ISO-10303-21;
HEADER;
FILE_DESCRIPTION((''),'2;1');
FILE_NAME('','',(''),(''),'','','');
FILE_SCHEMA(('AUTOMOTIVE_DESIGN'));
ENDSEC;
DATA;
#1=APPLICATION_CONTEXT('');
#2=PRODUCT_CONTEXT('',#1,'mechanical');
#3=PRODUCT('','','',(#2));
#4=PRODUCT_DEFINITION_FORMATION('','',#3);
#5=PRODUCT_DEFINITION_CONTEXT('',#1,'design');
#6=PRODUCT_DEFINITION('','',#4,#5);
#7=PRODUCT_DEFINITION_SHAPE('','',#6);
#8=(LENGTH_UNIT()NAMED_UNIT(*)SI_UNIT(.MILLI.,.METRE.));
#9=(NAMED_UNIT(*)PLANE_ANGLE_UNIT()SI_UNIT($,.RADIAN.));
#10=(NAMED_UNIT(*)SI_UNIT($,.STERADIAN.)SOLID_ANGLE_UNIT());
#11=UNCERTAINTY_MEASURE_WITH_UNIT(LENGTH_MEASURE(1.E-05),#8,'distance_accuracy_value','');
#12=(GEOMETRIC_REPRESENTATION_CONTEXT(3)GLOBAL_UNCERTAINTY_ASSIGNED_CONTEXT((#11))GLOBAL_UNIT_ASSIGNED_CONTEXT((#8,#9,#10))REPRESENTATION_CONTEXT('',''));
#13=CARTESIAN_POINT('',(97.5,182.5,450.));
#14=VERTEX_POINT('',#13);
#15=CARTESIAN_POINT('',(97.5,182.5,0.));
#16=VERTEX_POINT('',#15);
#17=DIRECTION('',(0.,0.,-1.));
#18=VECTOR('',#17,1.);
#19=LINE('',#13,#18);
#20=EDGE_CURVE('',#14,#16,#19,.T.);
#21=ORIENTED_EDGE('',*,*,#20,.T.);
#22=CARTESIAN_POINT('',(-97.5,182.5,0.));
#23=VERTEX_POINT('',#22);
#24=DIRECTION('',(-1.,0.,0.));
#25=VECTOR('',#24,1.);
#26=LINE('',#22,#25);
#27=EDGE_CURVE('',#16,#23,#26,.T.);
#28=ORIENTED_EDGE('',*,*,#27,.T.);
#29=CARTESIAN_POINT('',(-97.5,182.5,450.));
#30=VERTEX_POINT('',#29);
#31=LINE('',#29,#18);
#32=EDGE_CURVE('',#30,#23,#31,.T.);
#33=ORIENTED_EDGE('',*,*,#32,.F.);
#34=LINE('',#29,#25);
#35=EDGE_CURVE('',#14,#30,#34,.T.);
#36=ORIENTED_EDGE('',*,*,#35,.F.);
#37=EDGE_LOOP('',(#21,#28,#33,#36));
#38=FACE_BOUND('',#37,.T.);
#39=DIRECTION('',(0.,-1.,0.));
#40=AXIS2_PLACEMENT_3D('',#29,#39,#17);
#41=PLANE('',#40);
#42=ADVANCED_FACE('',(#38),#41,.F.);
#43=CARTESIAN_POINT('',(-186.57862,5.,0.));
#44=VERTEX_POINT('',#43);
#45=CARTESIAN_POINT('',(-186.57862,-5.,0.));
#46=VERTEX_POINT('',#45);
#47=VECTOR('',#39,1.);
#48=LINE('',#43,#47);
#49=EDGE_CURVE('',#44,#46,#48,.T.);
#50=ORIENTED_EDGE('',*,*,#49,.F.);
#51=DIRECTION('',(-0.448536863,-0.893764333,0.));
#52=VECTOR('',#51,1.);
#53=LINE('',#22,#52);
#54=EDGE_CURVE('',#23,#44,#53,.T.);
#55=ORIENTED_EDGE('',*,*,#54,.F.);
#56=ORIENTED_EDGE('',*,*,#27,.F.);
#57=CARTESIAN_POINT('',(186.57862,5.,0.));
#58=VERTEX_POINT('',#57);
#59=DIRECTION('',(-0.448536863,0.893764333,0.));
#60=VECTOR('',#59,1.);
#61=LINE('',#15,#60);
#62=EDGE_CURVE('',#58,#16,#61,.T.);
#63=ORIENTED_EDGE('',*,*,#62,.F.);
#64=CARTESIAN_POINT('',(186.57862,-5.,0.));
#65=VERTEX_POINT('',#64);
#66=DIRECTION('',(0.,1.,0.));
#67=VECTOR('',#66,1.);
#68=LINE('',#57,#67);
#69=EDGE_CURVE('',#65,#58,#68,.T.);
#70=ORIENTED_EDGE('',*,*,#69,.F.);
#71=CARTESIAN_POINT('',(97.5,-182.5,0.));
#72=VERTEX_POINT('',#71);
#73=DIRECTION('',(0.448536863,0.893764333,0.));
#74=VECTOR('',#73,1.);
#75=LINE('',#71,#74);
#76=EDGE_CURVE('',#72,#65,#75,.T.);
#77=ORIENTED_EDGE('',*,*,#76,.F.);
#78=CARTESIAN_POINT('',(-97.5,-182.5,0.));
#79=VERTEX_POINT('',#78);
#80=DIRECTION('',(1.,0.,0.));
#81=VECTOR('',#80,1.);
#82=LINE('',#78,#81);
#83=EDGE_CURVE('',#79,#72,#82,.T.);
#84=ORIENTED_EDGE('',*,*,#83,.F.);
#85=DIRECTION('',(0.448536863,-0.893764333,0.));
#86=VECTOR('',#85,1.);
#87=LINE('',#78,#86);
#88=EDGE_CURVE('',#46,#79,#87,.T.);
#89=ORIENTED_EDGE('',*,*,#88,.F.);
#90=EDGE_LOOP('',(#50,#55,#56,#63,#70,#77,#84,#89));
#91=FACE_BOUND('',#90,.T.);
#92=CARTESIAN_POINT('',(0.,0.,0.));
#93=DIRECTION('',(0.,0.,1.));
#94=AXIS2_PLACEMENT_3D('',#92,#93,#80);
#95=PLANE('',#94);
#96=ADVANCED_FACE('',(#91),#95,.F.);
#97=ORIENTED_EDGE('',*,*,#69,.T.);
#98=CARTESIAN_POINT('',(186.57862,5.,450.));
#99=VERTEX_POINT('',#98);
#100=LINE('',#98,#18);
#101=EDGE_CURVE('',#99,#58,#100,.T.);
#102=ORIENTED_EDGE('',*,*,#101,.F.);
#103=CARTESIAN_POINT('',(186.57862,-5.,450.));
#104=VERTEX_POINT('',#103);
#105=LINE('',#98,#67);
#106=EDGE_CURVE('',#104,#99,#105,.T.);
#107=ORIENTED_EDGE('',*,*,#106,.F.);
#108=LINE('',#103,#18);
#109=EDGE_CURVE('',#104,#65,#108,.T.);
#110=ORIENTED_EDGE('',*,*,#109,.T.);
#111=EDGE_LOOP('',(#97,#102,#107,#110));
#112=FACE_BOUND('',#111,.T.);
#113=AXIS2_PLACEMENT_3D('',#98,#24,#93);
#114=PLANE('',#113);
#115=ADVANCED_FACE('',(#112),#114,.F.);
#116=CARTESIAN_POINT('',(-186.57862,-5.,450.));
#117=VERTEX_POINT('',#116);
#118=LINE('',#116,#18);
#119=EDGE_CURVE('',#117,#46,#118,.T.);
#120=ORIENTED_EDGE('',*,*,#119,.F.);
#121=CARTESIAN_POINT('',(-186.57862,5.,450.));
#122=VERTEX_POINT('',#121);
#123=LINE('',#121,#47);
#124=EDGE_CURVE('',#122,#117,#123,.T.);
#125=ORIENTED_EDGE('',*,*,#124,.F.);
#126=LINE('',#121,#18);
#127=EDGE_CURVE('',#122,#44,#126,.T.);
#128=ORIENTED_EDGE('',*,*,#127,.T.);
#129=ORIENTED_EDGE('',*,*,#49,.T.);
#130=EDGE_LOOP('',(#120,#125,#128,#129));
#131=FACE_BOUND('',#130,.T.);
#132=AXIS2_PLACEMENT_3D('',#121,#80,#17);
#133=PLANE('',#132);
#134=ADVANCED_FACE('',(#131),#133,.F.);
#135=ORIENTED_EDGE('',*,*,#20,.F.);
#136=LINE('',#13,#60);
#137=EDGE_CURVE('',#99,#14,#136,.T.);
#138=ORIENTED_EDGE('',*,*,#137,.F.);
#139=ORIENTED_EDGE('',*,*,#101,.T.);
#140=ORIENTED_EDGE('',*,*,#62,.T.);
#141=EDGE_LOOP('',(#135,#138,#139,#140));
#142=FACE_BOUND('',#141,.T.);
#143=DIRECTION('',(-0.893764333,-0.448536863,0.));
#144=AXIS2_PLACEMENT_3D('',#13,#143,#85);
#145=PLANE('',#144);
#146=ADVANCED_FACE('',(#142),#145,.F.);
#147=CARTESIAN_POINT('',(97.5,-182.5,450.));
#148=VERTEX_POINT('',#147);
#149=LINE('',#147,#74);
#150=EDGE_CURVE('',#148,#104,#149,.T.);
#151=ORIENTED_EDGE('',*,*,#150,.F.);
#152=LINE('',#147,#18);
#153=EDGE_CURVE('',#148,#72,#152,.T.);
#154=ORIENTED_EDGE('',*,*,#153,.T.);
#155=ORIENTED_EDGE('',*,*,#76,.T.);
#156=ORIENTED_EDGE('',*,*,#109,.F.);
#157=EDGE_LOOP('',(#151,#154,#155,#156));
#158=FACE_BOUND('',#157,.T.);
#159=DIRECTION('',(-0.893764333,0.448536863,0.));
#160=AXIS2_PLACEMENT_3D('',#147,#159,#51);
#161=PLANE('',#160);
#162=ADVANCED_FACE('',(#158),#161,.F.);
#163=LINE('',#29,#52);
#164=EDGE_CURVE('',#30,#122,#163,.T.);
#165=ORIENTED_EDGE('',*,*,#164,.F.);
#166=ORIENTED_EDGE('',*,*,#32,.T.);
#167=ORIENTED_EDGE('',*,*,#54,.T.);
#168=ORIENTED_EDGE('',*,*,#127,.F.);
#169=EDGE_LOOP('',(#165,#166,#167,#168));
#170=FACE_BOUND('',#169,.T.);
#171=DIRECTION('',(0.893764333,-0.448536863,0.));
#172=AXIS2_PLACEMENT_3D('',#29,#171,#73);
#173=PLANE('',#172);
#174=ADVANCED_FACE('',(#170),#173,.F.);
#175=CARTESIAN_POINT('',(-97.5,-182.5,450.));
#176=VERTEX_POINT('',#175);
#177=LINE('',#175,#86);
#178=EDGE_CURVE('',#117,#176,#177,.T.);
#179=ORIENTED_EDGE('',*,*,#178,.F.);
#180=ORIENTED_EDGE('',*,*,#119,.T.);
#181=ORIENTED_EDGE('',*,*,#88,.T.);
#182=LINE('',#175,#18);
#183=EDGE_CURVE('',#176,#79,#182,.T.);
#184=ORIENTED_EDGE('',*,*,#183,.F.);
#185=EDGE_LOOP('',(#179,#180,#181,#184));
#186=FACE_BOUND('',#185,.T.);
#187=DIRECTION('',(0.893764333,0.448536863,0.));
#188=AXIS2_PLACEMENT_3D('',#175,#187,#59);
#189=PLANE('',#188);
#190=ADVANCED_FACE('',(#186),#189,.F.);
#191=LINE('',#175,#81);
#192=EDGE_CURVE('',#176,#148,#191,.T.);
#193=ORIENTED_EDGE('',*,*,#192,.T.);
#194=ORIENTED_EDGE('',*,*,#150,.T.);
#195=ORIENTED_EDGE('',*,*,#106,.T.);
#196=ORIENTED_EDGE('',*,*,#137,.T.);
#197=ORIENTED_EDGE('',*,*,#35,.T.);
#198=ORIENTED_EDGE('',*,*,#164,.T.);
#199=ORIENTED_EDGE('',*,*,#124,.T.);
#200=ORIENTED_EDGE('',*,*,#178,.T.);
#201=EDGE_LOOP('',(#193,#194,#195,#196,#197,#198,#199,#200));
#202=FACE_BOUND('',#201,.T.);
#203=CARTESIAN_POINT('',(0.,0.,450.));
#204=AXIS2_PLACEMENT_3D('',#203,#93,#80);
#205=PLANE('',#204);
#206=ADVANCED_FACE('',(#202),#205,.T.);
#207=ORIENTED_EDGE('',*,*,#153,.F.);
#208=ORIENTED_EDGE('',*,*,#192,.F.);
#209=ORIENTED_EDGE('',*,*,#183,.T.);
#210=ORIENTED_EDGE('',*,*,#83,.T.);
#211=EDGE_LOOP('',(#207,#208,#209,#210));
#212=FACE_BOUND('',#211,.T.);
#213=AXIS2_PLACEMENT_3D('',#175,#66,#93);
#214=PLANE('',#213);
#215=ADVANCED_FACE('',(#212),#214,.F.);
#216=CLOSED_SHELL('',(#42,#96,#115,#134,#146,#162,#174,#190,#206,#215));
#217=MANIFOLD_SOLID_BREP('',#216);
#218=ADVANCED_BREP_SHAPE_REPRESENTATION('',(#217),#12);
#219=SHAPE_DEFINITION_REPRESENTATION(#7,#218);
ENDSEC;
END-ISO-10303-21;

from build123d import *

# Parameters (mm, degrees)
AUFSATZ_LINEAR_AUSTRAGEN1_DEPTH = 450


with BuildPart() as part:
    # Skizze1 → Aufsatz-Linear austragen1 (new body)
    with BuildSketch(Plane.XY):
        Polygon((-97.5, 182.5), (97.5, 182.5), (186.578619899, 5), (186.578619899, -5), (97.5, -182.5), (-97.5, -182.5), (-186.578619899, -5), (-186.578619899, 5), align=None)
    extrude(amount=AUFSATZ_LINEAR_AUSTRAGEN1_DEPTH)


solid = part.part
